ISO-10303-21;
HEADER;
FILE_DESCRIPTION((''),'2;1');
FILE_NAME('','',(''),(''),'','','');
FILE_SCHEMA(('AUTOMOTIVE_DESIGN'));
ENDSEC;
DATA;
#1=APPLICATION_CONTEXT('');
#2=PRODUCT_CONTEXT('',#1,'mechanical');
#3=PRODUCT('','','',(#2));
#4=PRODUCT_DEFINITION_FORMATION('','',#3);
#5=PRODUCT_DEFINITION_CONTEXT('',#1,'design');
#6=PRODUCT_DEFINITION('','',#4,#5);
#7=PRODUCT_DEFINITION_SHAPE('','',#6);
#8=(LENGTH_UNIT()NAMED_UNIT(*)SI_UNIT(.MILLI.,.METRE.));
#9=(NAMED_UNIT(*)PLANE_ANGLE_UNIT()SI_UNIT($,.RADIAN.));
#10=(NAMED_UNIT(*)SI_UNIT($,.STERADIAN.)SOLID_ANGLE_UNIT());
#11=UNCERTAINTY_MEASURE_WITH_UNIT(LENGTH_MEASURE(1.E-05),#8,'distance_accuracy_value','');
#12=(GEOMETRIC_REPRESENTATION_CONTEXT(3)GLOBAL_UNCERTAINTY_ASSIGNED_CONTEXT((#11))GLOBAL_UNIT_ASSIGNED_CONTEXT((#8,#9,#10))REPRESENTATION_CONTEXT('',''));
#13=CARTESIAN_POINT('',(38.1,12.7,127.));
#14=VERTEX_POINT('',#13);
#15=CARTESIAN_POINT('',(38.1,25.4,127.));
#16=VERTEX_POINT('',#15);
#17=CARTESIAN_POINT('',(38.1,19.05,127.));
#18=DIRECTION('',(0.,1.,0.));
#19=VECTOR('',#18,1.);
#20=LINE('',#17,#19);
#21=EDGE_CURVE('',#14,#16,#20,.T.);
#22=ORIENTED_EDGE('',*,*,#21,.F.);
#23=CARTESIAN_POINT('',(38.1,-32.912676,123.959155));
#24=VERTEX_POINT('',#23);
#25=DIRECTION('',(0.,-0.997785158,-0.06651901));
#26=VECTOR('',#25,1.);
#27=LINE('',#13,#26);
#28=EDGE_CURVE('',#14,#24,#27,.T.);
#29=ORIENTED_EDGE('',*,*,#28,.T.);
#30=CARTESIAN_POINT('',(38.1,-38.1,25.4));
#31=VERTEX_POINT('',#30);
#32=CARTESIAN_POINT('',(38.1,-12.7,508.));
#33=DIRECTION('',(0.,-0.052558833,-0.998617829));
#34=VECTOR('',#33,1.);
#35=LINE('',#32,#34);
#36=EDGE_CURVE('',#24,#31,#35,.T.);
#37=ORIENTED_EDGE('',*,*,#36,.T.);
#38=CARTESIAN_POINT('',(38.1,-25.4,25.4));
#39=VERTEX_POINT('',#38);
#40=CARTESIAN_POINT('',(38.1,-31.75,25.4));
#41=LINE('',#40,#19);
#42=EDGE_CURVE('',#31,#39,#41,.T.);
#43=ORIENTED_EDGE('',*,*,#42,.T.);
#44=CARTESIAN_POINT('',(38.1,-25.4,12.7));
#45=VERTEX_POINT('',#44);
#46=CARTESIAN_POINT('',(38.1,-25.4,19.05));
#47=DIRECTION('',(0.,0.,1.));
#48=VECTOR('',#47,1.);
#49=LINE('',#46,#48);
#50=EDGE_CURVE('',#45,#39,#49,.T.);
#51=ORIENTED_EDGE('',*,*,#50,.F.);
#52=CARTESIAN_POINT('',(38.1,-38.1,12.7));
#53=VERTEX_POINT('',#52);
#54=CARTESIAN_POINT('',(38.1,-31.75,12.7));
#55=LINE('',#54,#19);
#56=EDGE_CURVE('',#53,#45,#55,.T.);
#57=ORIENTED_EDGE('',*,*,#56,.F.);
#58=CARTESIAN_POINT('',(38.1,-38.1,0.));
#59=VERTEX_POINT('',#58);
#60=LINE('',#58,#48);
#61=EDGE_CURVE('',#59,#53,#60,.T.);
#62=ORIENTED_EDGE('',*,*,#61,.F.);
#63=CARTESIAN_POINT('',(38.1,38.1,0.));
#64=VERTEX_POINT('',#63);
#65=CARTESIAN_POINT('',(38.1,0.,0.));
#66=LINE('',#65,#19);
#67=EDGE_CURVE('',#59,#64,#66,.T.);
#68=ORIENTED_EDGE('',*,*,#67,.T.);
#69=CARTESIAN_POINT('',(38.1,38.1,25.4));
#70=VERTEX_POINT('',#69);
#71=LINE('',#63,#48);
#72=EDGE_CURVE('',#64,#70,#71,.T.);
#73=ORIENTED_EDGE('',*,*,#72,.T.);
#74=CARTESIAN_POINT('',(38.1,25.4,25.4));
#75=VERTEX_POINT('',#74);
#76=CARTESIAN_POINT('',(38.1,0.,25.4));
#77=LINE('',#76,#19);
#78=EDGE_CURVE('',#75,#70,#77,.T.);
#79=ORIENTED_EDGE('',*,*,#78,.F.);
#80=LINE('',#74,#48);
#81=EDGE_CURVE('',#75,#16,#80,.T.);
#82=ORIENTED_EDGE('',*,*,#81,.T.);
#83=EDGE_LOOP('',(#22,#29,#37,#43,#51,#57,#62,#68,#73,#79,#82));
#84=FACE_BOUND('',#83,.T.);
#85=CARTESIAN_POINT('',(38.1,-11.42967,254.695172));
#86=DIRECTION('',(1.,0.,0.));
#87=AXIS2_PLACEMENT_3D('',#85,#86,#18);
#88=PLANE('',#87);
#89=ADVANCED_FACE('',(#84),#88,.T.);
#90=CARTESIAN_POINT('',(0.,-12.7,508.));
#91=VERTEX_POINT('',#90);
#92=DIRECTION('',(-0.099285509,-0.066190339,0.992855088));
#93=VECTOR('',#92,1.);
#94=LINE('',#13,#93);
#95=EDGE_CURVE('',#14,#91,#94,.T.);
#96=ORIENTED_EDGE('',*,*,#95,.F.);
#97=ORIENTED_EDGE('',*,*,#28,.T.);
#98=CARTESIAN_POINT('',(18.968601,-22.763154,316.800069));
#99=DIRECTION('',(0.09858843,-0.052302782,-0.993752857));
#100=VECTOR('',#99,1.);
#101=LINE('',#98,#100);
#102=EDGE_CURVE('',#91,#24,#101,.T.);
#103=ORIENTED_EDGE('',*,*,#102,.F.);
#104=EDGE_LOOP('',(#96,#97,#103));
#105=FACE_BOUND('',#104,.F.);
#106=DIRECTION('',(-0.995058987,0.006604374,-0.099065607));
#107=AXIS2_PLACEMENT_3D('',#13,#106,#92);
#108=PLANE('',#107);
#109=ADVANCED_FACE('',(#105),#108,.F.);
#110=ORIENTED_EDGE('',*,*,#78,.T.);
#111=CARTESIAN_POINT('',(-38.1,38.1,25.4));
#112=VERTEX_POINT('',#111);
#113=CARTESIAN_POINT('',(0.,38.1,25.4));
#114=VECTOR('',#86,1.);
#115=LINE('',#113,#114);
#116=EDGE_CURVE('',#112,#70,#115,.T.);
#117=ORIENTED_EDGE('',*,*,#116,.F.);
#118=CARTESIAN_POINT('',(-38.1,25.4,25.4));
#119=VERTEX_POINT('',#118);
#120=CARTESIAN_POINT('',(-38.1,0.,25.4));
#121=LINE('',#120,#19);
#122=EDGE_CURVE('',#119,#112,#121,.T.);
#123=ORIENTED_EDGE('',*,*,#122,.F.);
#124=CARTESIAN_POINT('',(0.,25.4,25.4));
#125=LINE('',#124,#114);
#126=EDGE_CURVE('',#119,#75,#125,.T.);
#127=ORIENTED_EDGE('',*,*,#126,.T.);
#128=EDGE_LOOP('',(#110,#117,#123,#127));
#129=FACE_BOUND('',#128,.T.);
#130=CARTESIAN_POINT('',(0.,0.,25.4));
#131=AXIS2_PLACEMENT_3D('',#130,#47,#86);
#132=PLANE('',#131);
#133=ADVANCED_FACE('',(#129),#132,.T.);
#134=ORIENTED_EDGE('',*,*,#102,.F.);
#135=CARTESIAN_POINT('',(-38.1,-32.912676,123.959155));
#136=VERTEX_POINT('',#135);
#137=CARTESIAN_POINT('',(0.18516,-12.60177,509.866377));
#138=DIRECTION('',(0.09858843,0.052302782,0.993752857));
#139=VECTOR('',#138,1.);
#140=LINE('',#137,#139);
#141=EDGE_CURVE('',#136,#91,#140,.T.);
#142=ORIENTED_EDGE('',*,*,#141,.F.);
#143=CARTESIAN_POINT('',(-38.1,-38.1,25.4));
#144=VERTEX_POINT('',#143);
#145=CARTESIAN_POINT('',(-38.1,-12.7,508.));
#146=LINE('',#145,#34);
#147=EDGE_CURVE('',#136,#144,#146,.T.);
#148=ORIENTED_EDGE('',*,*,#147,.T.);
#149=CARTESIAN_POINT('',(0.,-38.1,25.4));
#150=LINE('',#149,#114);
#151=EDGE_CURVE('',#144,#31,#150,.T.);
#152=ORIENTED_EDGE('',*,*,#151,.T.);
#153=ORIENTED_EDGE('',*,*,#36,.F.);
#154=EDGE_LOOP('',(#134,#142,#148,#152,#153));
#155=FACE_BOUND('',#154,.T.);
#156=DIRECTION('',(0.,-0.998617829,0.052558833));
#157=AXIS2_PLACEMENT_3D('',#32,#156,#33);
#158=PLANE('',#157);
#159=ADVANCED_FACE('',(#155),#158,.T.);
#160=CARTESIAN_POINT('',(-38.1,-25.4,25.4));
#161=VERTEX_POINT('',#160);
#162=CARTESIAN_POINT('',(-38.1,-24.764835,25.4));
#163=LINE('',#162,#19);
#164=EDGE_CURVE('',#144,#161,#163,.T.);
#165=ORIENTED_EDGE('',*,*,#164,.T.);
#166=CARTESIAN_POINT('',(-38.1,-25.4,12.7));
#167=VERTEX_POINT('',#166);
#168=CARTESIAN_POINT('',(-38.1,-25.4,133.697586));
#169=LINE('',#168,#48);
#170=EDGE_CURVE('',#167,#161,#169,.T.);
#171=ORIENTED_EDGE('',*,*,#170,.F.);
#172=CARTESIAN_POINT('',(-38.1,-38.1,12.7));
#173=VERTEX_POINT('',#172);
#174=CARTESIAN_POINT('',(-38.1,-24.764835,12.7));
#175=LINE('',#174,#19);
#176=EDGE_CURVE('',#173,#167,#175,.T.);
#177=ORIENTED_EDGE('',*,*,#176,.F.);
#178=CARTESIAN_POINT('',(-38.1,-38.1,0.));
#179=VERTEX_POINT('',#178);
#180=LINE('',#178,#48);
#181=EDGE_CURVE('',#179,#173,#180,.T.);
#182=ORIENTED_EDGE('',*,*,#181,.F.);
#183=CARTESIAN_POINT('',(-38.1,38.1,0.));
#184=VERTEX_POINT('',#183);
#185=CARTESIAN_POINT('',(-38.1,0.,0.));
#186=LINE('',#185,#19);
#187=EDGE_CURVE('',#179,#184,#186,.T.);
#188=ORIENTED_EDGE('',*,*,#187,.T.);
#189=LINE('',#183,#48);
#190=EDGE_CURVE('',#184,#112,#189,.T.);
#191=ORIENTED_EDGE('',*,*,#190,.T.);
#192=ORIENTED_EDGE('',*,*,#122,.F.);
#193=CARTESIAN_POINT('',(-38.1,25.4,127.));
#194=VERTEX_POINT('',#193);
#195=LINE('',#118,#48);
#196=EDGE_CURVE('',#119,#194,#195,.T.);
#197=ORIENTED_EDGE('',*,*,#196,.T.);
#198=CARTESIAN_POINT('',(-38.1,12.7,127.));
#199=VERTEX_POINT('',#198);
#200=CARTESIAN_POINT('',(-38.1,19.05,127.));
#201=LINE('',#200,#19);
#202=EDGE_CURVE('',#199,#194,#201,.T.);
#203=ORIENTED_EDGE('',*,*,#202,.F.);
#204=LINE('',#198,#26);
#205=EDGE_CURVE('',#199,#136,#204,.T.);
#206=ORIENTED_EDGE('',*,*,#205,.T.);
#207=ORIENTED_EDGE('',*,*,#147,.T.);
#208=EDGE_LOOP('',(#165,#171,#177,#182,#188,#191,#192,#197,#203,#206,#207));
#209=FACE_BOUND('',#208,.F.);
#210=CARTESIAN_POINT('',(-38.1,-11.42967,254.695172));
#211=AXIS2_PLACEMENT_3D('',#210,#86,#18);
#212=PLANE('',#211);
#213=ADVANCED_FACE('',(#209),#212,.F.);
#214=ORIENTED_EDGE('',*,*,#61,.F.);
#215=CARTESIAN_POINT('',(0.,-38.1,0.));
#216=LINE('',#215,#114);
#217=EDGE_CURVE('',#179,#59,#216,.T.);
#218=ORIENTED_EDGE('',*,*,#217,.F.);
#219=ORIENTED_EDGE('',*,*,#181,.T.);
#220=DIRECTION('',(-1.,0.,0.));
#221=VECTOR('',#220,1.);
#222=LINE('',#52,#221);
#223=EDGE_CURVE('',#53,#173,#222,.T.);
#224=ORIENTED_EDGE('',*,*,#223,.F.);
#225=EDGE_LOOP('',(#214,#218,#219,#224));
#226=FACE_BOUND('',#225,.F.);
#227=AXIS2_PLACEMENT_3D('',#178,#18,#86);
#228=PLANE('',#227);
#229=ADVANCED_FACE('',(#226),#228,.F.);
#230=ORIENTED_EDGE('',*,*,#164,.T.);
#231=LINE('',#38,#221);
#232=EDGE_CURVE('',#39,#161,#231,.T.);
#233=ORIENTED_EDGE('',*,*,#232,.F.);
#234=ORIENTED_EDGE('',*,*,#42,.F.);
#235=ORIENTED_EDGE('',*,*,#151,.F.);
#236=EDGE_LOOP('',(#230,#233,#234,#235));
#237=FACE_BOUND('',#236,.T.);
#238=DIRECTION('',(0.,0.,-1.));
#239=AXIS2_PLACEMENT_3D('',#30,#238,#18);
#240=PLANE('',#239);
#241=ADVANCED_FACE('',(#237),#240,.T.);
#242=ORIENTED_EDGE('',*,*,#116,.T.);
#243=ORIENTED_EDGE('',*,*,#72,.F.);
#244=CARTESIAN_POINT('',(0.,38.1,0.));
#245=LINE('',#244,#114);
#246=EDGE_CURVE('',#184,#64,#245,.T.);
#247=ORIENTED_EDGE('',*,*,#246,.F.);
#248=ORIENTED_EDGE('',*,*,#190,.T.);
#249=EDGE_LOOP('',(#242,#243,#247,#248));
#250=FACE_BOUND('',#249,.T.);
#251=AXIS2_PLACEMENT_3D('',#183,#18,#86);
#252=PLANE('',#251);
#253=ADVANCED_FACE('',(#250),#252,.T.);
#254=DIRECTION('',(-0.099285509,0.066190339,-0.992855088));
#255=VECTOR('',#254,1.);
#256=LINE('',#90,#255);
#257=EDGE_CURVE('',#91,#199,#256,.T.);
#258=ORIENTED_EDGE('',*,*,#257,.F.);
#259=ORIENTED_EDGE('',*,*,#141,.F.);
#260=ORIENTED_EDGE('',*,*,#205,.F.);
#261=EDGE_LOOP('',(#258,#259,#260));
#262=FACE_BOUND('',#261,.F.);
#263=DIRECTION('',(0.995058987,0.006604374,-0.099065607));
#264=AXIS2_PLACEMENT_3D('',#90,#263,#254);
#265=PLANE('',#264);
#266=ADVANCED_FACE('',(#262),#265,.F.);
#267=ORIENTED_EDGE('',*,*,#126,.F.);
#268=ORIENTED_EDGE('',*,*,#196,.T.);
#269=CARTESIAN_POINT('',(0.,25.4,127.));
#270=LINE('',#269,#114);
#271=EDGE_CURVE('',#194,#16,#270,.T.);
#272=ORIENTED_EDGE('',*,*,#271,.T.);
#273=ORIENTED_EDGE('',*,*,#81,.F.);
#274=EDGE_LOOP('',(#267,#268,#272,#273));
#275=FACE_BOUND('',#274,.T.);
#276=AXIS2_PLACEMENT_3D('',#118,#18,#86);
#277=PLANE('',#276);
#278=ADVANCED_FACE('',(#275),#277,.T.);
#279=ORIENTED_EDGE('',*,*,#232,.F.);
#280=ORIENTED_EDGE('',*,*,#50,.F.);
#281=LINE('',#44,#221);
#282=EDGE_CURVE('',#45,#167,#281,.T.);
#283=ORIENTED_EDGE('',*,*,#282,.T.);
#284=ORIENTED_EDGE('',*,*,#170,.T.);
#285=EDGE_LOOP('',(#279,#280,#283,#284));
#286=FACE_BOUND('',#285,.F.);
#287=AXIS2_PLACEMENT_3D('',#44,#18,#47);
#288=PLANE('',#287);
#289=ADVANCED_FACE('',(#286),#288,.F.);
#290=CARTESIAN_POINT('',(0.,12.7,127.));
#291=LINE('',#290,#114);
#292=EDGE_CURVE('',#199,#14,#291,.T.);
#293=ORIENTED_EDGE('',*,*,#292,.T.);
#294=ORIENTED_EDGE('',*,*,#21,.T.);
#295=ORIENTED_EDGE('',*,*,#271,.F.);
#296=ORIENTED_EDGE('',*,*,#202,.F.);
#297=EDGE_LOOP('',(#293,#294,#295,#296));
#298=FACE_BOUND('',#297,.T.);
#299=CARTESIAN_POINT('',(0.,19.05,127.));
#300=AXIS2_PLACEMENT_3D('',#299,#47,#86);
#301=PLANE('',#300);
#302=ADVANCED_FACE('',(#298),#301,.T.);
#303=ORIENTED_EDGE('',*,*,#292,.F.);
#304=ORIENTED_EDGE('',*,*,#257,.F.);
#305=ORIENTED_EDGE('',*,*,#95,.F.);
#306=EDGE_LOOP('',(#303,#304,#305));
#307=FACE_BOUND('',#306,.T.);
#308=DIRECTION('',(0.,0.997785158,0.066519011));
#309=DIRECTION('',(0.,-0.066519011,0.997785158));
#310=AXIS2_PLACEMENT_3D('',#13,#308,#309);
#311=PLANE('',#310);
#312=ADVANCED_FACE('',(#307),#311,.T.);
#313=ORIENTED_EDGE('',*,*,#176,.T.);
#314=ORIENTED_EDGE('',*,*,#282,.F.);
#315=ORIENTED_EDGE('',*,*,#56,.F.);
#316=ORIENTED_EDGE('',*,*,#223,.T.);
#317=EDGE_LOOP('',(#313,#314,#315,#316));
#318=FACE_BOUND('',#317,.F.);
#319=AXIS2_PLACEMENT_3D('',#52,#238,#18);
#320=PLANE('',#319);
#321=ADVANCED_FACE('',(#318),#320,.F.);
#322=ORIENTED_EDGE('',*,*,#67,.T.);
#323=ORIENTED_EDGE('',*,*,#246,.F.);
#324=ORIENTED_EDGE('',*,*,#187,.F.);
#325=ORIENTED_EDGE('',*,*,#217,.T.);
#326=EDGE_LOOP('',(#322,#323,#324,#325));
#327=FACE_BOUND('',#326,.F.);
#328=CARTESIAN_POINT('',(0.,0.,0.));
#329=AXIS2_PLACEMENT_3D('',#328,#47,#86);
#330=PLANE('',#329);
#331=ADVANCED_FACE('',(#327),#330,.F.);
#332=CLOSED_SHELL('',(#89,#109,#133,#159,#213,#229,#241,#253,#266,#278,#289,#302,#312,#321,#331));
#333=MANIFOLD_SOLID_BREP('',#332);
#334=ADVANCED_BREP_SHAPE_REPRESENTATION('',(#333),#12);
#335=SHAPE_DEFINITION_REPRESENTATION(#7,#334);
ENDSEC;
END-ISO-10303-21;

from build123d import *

# Parameters (mm, degrees)
F0_W      = 76.2
F0_H      = 76.2
F1_DEPTH  = 25.4
F2_W      = 76.2
F2_H      = 12.7
F3_DEPTH  = 101.6
F6_DEPTH  = 76.2
F7_W      = 12.7
F7_H      = 12.7
F8_DEPTH  = 76.201
F10_DEPTH = 59.1364003556
F12_DEPTH = 59.1364003556


with BuildPart() as f1:
    # F0 (on Top) → F1 (new body)
    with BuildSketch(Plane.XY):
        Rectangle(F0_W, F0_H)
    extrude(amount=F1_DEPTH)

    # F2 (on face) → F3 (join)
    with BuildSketch(Plane.XY.offset(25.4)):
        with Locations((0, 19.05)):
            Rectangle(F2_W, F2_H)
    extrude(amount=F3_DEPTH)

    # F5 (on face) → F6 (join, through all)
    with BuildSketch(Plane.YZ.offset(38.1)):
        Polygon((-38.1, 25.4), (12.7, 25.4), (12.7, 127), (-12.7, 508), align=None)
    extrude(amount=-F6_DEPTH)

    # F7 (on face) → F8 (cut, through all)
    with BuildSketch(Plane.YZ.offset(38.1)):
        with Locations((-31.75, 19.05)):
            Rectangle(F7_W, F7_H)
    extrude(amount=-F8_DEPTH, mode=Mode.SUBTRACT)

    # F9 (on face) → F10 (cut, through all)
    with BuildSketch(Plane(origin=(0, 21.0730088496, 1.4048672566), x_dir=(-1, 0, 0), z_dir=(0, 0.9977851579, 0.0665190105))):
        Polygon((-38.1, 125.8739236141), (0, 507.7196516248), (-38.1, 507.7196516248), align=None)
    extrude(amount=-F10_DEPTH, mode=Mode.SUBTRACT)

    # F11 (on face) → F12 (cut, through all)
    with BuildSketch(Plane(origin=(0, 21.0730088496, 1.4048672566), x_dir=(-1, 0, 0), z_dir=(0, 0.9977851579, 0.0665190105))):
        Polygon((38.1, 507.7196516248), (0, 507.7196516248), (38.1, 125.8739236141), align=None)
    extrude(amount=-F12_DEPTH, mode=Mode.SUBTRACT)


solid = f1.part
